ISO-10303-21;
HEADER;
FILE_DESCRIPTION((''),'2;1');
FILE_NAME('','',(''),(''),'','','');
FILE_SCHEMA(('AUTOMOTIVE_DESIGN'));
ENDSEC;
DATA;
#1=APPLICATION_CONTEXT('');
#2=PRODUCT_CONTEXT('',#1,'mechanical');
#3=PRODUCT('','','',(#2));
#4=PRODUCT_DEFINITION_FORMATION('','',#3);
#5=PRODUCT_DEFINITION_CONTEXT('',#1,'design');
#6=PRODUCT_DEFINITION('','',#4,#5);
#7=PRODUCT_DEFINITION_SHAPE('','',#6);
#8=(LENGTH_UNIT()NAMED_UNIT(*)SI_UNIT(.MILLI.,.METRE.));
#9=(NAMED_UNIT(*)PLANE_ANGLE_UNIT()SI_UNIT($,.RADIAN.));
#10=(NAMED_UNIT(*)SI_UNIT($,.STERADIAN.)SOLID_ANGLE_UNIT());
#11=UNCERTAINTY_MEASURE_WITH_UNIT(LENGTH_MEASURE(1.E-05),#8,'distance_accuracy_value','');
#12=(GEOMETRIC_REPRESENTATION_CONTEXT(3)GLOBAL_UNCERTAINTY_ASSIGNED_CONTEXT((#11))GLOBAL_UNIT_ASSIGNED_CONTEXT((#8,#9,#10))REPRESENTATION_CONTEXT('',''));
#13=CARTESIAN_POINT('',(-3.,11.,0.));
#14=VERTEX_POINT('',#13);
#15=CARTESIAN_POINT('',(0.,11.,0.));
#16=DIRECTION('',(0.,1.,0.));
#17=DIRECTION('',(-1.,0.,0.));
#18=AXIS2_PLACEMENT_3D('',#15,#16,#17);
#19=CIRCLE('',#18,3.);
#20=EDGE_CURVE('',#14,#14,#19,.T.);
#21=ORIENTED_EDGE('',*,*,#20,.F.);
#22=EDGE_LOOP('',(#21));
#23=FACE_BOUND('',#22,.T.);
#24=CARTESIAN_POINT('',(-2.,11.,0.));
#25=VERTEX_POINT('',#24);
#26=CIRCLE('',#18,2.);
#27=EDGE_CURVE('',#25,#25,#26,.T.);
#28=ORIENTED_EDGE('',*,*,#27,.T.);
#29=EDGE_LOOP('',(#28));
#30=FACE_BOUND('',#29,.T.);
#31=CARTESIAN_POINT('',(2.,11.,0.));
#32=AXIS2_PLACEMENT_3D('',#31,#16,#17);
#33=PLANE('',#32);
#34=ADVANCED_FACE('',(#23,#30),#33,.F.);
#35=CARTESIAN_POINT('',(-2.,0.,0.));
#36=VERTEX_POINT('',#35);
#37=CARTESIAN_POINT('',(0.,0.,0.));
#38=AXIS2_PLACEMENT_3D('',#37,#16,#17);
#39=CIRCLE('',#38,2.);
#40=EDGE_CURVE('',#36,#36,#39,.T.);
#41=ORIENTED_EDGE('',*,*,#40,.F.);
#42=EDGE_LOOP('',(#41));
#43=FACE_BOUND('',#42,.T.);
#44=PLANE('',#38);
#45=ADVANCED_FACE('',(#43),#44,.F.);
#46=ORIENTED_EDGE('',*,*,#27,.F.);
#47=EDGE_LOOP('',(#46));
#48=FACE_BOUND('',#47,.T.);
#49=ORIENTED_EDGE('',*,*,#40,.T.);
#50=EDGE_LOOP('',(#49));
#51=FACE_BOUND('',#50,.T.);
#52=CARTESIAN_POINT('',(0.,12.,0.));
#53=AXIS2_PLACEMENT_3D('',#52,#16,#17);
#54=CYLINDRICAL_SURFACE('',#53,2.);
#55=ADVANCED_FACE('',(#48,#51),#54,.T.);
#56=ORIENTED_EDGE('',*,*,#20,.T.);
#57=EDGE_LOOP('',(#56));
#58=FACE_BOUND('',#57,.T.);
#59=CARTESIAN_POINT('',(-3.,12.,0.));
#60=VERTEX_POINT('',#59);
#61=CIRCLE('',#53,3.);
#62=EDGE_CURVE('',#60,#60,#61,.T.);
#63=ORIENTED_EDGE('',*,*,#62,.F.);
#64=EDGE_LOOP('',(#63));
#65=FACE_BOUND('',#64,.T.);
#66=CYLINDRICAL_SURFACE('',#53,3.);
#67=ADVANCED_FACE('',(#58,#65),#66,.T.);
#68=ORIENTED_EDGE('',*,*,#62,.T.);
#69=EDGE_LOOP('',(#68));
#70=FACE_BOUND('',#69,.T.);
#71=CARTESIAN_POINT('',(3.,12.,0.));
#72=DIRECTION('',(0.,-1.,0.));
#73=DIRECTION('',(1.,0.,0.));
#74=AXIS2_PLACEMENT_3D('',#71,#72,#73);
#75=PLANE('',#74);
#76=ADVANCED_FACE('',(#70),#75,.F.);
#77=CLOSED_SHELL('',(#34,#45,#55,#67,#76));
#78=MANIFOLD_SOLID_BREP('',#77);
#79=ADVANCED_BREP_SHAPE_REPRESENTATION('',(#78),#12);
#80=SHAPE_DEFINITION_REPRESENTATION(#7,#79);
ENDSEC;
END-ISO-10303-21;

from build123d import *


with BuildPart() as part:
    # Croquis1 → Revolución1 (revolve)
    with BuildSketch(Plane.XY, mode=Mode.PRIVATE) as revoluci_n1_sk:
        Polygon((0, 0), (2, 0), (2, 11), (3, 11), (3, 12), (0, 12), align=None)
    revolve(revoluci_n1_sk.sketch.rotate(Axis((0, 12, 0), (0, -1, 0)), 180), axis=Axis((0, 12, 0), (0, -1, 0)))


solid = part.part
